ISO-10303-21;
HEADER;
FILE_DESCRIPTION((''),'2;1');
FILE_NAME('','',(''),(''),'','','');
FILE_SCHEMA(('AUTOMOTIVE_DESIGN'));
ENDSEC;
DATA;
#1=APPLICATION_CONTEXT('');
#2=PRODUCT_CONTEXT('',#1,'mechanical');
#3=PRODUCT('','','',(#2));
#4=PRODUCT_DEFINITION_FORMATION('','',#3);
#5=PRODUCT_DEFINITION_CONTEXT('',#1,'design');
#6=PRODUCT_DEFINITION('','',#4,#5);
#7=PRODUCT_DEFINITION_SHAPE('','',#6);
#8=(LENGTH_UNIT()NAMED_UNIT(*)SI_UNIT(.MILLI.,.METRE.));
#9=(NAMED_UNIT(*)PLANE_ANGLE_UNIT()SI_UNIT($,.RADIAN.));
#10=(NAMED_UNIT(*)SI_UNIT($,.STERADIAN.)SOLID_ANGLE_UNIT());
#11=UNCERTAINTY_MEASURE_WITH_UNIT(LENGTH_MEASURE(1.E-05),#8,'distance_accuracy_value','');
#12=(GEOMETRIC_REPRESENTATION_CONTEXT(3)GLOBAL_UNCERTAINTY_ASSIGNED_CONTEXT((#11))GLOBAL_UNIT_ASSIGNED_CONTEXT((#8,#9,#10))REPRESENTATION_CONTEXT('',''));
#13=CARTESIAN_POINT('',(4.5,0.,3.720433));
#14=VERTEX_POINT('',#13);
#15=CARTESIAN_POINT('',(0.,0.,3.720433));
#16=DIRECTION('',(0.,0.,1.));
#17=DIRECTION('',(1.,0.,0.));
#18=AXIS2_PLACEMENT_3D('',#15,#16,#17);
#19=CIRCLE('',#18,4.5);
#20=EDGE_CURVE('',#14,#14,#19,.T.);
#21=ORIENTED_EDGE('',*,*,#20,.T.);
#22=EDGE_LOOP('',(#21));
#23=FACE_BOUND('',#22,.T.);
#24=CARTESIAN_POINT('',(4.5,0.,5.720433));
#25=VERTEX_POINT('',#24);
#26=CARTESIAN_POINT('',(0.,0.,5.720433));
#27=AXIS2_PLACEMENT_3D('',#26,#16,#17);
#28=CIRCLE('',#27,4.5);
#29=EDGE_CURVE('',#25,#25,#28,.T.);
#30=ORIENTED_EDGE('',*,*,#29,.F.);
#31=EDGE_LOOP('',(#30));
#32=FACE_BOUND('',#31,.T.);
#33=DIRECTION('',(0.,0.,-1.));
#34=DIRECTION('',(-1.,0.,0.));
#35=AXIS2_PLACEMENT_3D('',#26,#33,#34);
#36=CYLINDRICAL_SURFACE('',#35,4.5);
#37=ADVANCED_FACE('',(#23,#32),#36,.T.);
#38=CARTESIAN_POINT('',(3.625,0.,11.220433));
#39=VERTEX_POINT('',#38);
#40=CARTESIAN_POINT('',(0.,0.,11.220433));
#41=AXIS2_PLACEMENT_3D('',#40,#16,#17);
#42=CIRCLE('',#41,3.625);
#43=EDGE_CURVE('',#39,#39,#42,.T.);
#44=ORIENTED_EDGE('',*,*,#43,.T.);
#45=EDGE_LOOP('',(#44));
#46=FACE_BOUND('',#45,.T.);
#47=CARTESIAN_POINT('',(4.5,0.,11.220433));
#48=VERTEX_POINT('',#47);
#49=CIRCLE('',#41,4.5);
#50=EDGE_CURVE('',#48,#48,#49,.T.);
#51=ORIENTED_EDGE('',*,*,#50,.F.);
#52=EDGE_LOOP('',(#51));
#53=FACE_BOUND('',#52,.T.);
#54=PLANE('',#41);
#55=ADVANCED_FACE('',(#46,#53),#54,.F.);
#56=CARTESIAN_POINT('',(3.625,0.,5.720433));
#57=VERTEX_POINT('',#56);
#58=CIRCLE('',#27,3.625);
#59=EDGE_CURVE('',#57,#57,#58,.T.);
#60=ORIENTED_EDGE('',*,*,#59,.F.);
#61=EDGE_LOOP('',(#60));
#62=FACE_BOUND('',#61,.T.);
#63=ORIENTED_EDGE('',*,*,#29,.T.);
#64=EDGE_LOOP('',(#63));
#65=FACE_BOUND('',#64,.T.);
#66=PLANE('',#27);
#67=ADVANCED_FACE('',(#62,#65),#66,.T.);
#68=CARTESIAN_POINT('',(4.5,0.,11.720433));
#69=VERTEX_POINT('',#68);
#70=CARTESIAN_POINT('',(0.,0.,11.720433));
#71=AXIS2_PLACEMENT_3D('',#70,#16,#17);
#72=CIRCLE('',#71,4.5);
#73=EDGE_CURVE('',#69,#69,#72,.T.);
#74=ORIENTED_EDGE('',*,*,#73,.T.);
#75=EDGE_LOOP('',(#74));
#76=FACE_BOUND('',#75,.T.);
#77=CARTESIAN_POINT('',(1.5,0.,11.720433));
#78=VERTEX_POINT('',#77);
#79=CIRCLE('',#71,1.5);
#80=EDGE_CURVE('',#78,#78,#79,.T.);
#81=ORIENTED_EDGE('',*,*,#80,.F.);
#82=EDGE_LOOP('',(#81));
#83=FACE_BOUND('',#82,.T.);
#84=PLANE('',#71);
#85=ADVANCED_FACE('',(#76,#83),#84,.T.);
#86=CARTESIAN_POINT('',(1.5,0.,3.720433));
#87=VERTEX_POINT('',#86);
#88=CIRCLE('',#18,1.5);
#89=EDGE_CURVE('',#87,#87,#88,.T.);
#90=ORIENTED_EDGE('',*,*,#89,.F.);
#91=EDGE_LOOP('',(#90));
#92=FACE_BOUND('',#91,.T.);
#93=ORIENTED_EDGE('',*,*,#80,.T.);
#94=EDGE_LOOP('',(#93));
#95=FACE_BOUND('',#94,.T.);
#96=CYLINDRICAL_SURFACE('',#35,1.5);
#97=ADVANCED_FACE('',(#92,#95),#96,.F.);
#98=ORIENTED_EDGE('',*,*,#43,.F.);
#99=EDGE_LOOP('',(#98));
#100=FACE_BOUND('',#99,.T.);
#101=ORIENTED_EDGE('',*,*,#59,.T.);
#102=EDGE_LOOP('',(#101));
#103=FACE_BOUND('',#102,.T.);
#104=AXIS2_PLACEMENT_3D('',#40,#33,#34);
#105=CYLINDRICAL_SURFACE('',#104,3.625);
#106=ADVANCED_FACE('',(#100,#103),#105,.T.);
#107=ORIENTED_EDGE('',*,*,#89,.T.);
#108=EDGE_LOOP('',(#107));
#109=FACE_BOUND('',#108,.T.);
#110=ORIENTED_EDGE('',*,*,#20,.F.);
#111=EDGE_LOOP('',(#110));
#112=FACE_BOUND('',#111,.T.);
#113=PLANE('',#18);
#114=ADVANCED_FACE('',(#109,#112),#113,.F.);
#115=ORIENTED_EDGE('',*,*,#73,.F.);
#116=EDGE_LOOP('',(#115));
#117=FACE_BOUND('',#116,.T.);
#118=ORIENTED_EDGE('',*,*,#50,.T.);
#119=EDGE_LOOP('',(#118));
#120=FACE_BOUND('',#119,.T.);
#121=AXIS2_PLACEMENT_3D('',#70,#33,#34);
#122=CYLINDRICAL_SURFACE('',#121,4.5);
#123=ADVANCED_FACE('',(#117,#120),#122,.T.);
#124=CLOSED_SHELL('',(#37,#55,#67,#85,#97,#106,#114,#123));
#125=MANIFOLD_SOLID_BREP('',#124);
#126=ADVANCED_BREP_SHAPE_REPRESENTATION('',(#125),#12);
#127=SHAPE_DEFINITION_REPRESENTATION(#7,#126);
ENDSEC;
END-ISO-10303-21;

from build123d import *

# Parameters (mm, degrees)
SKETCH1_R           = 9
SKETCH1_R_2         = 3
BOSS_EXTRUDE1_DEPTH = 4
SKETCH2_R           = 7.25
SKETCH2_R_2         = 3
BOSS_EXTRUDE2_DEPTH = 11
SKETCH3_R           = 9
SKETCH3_R_2         = 3
BOSS_EXTRUDE3_DEPTH = 1
ECHELLE1_SCALE      = 2
ECHELLE2_SCALE      = 0.25


with BuildPart() as part:
    # Sketch1 → Boss-Extrude1 (new body)
    with BuildSketch(Plane.XY):
        Circle(SKETCH1_R)
        Circle(SKETCH1_R_2, mode=Mode.SUBTRACT)
    extrude(amount=BOSS_EXTRUDE1_DEPTH)

    # Sketch2 → Boss-Extrude2 (add)
    with BuildSketch(Plane.XY.offset(4)):
        Circle(SKETCH2_R)
        Circle(SKETCH2_R_2, mode=Mode.SUBTRACT)
    extrude(amount=BOSS_EXTRUDE2_DEPTH)

    # Sketch3 → Boss-Extrude3 (add)
    with BuildSketch(Plane.XY.offset(15)):
        Circle(SKETCH3_R)
        Circle(SKETCH3_R_2, mode=Mode.SUBTRACT)
    extrude(amount=BOSS_EXTRUDE3_DEPTH)


with BuildPart() as part_1:
    # Echelle1: scaled about (0, 0, 7.44086542)
    add(part.part.scale(ECHELLE1_SCALE).moved(Location((0, 0, -7.44086542))))


with BuildPart() as part_2:
    # Echelle2: scaled about (0, 0, 7.440865421)
    add(part_1.part.scale(ECHELLE2_SCALE).moved(Location((0, 0, 5.580649066))))


solid = part_2.part
